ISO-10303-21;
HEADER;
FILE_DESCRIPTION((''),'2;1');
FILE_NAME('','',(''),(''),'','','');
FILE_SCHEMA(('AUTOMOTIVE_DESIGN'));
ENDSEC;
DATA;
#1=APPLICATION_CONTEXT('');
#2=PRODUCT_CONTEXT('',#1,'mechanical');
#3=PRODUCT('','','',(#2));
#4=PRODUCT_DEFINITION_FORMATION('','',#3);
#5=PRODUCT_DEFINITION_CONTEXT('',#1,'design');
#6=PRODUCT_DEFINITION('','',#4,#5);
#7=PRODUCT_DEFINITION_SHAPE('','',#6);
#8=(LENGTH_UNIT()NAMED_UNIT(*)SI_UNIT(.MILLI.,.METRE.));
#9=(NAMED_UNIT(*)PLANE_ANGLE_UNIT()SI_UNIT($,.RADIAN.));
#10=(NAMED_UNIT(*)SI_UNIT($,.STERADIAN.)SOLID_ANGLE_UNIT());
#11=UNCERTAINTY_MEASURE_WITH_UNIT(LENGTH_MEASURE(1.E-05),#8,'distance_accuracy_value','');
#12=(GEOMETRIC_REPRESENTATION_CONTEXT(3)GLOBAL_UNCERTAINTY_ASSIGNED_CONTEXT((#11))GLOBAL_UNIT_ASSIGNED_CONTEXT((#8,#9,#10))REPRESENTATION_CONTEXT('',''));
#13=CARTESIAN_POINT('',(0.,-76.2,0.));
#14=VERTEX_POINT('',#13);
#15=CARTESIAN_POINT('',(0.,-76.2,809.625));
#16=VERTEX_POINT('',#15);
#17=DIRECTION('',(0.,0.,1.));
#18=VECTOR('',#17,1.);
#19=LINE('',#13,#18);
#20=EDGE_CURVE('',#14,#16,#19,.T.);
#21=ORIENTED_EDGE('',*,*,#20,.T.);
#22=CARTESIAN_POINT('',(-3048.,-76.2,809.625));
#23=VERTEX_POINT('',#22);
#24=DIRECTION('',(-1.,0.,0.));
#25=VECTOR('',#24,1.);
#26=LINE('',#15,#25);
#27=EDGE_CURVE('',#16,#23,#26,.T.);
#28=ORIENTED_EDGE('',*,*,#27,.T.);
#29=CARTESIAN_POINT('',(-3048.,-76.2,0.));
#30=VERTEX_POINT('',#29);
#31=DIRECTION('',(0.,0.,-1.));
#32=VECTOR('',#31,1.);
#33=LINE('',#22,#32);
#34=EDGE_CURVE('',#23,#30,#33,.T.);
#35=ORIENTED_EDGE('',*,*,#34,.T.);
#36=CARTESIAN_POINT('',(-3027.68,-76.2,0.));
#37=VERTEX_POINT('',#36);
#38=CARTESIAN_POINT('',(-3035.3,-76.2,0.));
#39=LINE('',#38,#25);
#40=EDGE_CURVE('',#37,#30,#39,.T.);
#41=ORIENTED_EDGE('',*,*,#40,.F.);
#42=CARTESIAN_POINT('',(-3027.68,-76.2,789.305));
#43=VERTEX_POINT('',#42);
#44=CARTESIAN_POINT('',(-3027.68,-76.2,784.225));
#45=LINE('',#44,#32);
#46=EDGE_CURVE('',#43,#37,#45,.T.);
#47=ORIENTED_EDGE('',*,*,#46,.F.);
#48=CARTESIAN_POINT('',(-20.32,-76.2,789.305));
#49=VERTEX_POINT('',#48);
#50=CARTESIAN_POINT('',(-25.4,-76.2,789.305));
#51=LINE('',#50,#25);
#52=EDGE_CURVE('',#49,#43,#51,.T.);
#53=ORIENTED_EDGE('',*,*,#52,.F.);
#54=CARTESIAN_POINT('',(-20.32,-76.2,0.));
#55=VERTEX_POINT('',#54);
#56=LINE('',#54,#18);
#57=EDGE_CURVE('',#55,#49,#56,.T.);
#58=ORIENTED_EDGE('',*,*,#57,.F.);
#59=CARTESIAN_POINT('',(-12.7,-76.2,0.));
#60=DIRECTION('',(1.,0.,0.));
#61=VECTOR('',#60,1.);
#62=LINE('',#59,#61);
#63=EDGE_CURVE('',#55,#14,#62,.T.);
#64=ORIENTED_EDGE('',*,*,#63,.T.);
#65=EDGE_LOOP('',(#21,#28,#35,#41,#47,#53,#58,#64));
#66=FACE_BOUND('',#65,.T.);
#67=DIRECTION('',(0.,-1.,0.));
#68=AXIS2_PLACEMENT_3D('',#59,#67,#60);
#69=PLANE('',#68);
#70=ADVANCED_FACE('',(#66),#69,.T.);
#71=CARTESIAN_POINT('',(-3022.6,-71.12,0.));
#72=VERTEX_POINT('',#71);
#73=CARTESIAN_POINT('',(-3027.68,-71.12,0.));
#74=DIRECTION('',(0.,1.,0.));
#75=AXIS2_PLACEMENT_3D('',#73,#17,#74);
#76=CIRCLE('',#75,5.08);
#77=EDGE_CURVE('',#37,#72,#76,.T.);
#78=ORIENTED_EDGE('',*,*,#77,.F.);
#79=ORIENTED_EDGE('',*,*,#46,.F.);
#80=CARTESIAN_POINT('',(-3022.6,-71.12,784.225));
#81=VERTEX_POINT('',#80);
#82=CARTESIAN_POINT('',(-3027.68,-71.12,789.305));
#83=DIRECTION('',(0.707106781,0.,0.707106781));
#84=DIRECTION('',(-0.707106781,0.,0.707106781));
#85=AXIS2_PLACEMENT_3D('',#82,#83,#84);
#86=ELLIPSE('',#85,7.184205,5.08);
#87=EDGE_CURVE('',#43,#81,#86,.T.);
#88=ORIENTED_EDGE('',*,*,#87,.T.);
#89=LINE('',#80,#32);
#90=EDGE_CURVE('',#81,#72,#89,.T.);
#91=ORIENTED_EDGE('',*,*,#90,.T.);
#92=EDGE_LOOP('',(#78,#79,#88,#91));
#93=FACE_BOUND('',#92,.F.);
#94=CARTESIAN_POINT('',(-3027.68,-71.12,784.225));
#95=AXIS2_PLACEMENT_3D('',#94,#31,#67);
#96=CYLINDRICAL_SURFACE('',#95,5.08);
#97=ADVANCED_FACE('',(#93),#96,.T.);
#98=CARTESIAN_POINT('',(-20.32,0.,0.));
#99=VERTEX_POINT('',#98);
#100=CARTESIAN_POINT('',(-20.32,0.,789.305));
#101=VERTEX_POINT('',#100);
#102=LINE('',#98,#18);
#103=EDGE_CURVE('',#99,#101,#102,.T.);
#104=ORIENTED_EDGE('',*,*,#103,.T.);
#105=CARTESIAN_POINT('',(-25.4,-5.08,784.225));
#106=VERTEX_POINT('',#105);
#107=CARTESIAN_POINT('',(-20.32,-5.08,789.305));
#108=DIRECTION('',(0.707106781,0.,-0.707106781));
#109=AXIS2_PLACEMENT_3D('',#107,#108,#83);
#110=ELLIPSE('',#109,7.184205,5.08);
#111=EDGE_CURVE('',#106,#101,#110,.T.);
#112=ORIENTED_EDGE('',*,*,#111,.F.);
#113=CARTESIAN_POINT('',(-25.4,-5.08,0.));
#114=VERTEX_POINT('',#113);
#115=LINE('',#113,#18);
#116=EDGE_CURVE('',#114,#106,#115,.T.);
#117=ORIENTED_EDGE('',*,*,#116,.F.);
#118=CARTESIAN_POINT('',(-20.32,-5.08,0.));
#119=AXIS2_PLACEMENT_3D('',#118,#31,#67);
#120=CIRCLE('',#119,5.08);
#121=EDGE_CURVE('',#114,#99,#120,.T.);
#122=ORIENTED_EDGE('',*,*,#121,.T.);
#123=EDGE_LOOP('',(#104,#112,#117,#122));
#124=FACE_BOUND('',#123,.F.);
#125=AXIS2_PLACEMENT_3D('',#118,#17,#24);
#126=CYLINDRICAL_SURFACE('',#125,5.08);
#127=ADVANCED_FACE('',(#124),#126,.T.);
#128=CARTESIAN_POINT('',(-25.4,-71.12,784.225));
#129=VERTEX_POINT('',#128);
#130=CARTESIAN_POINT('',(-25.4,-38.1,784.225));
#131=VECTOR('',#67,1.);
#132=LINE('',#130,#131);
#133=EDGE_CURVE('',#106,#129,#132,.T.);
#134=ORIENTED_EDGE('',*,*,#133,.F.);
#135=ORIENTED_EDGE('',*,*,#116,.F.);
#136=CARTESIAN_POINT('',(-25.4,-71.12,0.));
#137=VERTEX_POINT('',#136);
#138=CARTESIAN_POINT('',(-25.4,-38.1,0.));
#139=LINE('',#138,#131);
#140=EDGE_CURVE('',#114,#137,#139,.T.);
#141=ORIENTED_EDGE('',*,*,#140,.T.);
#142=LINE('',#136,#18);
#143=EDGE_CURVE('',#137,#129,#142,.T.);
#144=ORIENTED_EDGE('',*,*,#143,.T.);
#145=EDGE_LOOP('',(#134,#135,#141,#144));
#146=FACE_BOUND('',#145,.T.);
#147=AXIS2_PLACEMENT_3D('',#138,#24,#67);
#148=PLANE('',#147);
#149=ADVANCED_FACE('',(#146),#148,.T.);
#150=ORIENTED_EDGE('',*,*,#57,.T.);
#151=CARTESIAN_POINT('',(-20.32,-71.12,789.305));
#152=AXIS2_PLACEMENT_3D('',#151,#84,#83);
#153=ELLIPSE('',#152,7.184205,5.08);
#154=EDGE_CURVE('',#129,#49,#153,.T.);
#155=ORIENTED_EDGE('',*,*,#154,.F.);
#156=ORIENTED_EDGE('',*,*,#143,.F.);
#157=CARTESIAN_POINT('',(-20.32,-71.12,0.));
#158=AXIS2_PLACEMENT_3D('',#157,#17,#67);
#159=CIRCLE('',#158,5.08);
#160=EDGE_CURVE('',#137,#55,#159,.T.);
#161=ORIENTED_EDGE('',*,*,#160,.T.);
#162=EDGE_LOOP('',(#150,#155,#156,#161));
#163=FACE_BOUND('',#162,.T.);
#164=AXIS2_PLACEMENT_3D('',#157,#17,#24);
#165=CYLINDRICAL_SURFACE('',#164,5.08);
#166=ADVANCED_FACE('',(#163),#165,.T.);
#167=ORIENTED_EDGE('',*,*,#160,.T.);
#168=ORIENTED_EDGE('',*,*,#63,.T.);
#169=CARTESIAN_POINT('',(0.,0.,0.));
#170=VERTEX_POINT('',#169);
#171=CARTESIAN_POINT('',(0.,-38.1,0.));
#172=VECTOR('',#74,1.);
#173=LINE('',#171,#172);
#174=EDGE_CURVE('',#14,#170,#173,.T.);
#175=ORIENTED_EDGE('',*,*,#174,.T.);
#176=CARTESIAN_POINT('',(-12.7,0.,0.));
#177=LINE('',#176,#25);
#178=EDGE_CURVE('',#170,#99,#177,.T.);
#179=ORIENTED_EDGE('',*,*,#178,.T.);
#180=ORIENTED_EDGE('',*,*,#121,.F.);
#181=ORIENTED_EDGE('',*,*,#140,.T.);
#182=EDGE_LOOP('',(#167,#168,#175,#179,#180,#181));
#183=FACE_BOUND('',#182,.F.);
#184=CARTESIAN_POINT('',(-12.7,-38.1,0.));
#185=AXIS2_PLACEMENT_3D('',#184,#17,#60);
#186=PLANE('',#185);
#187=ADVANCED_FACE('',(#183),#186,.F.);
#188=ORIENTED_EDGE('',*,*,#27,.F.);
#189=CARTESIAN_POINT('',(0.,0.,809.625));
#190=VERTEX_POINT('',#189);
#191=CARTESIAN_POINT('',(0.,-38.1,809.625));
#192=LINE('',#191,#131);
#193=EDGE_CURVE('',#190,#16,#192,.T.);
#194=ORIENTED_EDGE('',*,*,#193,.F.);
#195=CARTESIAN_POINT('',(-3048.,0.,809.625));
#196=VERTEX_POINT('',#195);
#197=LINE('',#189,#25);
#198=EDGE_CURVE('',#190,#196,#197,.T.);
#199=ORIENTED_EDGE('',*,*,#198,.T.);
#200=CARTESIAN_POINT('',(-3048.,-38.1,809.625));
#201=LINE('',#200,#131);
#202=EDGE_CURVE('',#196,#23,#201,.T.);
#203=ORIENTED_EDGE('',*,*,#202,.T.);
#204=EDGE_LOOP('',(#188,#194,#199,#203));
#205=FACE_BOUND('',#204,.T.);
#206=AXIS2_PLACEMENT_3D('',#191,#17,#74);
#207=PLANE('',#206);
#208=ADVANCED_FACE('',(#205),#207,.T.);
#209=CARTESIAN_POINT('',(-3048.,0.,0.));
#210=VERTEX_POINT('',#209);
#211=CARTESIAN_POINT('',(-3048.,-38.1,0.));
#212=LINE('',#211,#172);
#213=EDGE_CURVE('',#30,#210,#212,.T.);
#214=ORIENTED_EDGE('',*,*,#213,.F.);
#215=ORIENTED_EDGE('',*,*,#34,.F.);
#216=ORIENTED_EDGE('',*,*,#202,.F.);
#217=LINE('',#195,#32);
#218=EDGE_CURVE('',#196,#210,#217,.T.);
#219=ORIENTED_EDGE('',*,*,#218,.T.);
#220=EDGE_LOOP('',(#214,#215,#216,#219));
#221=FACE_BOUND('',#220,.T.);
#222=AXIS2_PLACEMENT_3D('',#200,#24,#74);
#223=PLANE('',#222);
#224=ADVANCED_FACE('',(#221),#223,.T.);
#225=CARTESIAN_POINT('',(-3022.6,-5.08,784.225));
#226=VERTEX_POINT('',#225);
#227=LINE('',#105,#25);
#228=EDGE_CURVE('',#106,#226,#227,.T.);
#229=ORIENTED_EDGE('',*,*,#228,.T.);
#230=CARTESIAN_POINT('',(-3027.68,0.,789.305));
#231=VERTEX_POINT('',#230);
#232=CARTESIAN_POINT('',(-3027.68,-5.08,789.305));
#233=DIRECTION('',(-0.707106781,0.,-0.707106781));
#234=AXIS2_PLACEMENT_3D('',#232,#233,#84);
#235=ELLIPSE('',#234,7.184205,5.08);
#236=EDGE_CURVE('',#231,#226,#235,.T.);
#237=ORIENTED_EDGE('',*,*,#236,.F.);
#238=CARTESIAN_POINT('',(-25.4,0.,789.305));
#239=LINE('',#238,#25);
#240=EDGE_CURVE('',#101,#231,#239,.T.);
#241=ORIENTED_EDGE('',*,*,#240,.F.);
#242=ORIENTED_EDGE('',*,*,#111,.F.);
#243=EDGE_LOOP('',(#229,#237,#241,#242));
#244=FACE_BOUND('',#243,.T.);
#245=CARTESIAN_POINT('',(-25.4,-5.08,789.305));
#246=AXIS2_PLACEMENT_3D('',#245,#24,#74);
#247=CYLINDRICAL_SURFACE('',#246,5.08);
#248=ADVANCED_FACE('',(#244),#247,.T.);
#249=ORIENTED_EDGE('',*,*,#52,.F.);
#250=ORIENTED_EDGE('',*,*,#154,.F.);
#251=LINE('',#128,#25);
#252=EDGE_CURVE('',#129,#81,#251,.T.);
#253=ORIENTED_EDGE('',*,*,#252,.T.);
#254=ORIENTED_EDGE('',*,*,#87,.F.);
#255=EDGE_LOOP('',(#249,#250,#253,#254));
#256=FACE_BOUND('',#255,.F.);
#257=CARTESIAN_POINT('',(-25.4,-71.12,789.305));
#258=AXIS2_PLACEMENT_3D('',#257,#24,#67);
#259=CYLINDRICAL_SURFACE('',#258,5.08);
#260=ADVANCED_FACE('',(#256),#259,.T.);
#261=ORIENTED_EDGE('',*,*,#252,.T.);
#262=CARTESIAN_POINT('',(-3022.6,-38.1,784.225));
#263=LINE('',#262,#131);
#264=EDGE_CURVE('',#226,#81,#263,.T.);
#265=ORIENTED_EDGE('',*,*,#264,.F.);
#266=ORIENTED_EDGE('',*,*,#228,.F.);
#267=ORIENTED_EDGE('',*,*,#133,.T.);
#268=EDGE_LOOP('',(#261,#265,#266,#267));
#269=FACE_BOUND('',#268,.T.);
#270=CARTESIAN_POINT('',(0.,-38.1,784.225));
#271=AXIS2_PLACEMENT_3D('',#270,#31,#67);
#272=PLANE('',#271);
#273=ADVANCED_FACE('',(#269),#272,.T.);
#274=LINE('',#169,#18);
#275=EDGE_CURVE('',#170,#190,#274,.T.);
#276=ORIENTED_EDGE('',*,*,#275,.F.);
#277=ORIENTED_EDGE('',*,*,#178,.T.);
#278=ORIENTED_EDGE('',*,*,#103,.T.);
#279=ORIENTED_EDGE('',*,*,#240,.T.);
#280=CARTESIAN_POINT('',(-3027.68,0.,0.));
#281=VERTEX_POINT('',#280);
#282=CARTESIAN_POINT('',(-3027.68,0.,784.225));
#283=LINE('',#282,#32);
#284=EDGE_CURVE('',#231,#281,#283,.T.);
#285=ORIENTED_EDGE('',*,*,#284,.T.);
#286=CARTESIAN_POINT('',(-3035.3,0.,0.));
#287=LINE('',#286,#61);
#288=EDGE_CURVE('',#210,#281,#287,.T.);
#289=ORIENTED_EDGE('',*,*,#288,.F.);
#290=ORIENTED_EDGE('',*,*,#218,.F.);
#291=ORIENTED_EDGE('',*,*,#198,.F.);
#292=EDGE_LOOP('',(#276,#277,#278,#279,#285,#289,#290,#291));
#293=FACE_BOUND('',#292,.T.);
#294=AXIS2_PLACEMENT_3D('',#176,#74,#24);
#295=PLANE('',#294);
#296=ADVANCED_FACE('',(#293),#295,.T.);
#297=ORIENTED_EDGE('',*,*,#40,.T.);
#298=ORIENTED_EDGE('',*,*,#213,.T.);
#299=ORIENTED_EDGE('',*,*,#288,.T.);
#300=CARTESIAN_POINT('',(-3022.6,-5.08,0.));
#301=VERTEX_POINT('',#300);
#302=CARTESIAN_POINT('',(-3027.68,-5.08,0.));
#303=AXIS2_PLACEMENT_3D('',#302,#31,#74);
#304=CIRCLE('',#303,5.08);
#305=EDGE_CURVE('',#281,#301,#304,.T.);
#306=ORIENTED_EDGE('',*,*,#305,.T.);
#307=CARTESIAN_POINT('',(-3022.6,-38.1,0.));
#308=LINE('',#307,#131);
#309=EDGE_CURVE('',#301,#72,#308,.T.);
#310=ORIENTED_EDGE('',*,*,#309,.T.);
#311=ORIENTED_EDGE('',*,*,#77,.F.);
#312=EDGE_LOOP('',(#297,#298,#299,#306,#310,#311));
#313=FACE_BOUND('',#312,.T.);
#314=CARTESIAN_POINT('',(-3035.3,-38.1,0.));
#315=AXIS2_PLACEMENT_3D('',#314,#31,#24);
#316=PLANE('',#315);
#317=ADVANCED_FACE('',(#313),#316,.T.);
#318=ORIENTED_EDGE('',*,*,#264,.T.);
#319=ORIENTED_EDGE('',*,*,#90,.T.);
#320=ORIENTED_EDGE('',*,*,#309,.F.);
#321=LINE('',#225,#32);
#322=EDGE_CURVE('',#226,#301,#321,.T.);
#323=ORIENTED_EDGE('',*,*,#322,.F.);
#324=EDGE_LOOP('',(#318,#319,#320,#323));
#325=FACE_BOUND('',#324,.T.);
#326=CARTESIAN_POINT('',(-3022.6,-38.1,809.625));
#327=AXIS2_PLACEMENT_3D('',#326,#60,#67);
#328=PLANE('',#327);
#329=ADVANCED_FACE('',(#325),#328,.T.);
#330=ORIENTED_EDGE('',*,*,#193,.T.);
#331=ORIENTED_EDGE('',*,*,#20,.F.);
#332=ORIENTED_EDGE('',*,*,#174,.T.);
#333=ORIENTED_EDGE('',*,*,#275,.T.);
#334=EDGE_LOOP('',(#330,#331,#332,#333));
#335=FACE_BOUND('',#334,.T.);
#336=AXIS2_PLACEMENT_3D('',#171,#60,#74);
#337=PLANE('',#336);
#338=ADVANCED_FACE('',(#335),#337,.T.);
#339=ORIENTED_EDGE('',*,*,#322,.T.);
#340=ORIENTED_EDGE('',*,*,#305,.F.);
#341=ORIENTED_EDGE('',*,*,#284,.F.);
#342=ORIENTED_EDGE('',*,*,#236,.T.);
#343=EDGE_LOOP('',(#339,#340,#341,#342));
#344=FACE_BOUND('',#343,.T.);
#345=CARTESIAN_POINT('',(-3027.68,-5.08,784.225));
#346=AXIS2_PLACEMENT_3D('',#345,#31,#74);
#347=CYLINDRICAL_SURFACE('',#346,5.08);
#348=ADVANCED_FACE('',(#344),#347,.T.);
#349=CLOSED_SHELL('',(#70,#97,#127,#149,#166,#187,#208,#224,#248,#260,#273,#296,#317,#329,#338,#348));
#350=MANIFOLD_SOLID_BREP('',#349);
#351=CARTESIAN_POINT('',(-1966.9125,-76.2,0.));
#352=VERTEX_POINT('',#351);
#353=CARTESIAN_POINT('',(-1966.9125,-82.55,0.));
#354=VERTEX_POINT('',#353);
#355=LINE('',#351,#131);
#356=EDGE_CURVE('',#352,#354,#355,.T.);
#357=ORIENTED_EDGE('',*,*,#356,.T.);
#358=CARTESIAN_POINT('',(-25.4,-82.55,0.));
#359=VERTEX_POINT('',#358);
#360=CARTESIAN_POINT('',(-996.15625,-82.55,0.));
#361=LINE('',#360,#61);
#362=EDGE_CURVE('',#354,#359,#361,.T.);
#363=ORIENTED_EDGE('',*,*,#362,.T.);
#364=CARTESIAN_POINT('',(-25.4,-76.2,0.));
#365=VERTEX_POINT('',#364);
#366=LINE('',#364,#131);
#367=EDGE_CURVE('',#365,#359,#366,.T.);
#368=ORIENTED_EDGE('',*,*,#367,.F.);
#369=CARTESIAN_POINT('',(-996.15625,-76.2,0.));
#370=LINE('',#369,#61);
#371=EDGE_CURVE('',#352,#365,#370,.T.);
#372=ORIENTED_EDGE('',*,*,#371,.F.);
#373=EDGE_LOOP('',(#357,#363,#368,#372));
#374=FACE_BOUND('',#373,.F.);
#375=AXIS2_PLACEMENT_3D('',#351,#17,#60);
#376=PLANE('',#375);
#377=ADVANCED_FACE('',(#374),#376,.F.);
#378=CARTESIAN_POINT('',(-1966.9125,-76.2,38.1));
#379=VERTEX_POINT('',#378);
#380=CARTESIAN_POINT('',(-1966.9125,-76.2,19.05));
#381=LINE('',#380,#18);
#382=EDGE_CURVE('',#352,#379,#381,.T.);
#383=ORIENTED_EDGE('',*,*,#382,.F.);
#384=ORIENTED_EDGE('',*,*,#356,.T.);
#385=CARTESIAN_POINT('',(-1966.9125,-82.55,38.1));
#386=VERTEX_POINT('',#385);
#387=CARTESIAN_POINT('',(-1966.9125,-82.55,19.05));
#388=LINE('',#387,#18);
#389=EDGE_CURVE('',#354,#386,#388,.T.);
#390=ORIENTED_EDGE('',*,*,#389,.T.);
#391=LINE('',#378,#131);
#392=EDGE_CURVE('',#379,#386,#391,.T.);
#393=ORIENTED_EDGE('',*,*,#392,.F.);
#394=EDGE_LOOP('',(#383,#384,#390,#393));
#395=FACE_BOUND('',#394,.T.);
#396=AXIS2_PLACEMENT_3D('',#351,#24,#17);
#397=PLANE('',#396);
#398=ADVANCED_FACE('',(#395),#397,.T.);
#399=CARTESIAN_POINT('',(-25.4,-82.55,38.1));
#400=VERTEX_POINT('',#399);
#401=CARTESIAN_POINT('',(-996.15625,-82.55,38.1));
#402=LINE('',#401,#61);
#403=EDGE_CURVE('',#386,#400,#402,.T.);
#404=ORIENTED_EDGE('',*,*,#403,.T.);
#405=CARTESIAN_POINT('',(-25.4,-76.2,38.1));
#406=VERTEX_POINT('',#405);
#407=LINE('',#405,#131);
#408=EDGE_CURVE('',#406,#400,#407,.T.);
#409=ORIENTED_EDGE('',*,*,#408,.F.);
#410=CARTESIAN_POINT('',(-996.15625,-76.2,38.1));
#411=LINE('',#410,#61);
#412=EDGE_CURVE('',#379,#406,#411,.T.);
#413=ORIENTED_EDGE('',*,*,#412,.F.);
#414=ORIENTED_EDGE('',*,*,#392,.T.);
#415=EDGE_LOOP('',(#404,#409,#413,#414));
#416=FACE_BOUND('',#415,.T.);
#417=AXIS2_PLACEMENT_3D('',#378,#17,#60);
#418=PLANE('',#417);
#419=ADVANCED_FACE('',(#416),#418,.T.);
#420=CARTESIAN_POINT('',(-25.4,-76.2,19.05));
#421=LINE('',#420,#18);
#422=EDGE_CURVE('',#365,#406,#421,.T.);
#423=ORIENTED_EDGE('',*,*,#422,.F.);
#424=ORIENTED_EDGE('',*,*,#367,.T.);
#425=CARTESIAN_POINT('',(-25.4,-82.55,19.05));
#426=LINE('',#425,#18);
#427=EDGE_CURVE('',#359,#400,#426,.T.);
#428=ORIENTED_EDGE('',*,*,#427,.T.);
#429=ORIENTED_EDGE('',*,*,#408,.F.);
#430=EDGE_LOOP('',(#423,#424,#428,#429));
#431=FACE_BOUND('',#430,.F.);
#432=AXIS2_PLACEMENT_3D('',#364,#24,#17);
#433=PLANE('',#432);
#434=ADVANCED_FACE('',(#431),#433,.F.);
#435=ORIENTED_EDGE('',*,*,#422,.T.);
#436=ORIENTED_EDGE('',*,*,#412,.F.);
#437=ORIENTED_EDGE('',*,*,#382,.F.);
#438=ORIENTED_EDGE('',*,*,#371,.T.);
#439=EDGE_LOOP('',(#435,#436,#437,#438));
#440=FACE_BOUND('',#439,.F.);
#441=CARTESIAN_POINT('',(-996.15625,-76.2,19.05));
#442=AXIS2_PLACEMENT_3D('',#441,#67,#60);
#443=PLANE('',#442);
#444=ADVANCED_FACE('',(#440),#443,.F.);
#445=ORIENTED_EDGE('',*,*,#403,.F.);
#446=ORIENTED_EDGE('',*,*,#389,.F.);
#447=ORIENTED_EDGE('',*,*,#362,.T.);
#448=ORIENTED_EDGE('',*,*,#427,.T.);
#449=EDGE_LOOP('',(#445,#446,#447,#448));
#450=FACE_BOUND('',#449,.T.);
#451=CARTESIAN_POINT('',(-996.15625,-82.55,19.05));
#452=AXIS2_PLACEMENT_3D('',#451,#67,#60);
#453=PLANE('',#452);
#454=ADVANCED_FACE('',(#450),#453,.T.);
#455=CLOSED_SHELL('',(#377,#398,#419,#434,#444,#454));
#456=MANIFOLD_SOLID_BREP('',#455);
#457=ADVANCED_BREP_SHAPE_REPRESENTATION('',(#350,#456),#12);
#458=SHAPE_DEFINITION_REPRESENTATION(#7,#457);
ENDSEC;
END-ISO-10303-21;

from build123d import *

# Parameters (mm, degrees)
F1_W     = 25.4
F1_H     = 76.2
F4_R     = 5.08
F3_W     = 1941.5125
F3_H     = 38.1
F5_DEPTH = 6.35


with BuildPart() as f2:
    # F2: sweep along a path in F0
    with BuildLine(Plane.XZ) as f2_path:
        Line((0, 0), (0, 809.625))
        Line((0, 809.625), (-3048, 809.625))
        Line((-3048, 809.625), (-3048, 0))
    # F1 (on Top) → F2 (sweep)
    with BuildSketch(Plane.XY):
        with Locations((-12.7, -38.1)):
            Rectangle(F1_W, F1_H)
    sweep(path=f2_path.line, transition=Transition.RIGHT)

    # F4
    f4_edges = [f2.edges().sort_by_distance(p)[0] for p in [
        (-25.4, 0, 392.1125),
        (-25.4, -76.2, 392.1125),
        (-1524, 0, 784.225),
        (-1524, -76.2, 784.225),
        (-3022.6, 0, 392.1125),
        (-3022.6, -76.2, 392.1125),
    ]]
    fillet(f4_edges, radius=F4_R)


with BuildPart() as f5:
    # F3 (on face) → F5 (new body)
    with BuildSketch(Plane.XZ.offset(76.2)):
        with Locations((-996.15625, 19.05)):
            Rectangle(F3_W, F3_H)
    extrude(amount=F5_DEPTH)


solid = Compound([f2.part, f5.part])
